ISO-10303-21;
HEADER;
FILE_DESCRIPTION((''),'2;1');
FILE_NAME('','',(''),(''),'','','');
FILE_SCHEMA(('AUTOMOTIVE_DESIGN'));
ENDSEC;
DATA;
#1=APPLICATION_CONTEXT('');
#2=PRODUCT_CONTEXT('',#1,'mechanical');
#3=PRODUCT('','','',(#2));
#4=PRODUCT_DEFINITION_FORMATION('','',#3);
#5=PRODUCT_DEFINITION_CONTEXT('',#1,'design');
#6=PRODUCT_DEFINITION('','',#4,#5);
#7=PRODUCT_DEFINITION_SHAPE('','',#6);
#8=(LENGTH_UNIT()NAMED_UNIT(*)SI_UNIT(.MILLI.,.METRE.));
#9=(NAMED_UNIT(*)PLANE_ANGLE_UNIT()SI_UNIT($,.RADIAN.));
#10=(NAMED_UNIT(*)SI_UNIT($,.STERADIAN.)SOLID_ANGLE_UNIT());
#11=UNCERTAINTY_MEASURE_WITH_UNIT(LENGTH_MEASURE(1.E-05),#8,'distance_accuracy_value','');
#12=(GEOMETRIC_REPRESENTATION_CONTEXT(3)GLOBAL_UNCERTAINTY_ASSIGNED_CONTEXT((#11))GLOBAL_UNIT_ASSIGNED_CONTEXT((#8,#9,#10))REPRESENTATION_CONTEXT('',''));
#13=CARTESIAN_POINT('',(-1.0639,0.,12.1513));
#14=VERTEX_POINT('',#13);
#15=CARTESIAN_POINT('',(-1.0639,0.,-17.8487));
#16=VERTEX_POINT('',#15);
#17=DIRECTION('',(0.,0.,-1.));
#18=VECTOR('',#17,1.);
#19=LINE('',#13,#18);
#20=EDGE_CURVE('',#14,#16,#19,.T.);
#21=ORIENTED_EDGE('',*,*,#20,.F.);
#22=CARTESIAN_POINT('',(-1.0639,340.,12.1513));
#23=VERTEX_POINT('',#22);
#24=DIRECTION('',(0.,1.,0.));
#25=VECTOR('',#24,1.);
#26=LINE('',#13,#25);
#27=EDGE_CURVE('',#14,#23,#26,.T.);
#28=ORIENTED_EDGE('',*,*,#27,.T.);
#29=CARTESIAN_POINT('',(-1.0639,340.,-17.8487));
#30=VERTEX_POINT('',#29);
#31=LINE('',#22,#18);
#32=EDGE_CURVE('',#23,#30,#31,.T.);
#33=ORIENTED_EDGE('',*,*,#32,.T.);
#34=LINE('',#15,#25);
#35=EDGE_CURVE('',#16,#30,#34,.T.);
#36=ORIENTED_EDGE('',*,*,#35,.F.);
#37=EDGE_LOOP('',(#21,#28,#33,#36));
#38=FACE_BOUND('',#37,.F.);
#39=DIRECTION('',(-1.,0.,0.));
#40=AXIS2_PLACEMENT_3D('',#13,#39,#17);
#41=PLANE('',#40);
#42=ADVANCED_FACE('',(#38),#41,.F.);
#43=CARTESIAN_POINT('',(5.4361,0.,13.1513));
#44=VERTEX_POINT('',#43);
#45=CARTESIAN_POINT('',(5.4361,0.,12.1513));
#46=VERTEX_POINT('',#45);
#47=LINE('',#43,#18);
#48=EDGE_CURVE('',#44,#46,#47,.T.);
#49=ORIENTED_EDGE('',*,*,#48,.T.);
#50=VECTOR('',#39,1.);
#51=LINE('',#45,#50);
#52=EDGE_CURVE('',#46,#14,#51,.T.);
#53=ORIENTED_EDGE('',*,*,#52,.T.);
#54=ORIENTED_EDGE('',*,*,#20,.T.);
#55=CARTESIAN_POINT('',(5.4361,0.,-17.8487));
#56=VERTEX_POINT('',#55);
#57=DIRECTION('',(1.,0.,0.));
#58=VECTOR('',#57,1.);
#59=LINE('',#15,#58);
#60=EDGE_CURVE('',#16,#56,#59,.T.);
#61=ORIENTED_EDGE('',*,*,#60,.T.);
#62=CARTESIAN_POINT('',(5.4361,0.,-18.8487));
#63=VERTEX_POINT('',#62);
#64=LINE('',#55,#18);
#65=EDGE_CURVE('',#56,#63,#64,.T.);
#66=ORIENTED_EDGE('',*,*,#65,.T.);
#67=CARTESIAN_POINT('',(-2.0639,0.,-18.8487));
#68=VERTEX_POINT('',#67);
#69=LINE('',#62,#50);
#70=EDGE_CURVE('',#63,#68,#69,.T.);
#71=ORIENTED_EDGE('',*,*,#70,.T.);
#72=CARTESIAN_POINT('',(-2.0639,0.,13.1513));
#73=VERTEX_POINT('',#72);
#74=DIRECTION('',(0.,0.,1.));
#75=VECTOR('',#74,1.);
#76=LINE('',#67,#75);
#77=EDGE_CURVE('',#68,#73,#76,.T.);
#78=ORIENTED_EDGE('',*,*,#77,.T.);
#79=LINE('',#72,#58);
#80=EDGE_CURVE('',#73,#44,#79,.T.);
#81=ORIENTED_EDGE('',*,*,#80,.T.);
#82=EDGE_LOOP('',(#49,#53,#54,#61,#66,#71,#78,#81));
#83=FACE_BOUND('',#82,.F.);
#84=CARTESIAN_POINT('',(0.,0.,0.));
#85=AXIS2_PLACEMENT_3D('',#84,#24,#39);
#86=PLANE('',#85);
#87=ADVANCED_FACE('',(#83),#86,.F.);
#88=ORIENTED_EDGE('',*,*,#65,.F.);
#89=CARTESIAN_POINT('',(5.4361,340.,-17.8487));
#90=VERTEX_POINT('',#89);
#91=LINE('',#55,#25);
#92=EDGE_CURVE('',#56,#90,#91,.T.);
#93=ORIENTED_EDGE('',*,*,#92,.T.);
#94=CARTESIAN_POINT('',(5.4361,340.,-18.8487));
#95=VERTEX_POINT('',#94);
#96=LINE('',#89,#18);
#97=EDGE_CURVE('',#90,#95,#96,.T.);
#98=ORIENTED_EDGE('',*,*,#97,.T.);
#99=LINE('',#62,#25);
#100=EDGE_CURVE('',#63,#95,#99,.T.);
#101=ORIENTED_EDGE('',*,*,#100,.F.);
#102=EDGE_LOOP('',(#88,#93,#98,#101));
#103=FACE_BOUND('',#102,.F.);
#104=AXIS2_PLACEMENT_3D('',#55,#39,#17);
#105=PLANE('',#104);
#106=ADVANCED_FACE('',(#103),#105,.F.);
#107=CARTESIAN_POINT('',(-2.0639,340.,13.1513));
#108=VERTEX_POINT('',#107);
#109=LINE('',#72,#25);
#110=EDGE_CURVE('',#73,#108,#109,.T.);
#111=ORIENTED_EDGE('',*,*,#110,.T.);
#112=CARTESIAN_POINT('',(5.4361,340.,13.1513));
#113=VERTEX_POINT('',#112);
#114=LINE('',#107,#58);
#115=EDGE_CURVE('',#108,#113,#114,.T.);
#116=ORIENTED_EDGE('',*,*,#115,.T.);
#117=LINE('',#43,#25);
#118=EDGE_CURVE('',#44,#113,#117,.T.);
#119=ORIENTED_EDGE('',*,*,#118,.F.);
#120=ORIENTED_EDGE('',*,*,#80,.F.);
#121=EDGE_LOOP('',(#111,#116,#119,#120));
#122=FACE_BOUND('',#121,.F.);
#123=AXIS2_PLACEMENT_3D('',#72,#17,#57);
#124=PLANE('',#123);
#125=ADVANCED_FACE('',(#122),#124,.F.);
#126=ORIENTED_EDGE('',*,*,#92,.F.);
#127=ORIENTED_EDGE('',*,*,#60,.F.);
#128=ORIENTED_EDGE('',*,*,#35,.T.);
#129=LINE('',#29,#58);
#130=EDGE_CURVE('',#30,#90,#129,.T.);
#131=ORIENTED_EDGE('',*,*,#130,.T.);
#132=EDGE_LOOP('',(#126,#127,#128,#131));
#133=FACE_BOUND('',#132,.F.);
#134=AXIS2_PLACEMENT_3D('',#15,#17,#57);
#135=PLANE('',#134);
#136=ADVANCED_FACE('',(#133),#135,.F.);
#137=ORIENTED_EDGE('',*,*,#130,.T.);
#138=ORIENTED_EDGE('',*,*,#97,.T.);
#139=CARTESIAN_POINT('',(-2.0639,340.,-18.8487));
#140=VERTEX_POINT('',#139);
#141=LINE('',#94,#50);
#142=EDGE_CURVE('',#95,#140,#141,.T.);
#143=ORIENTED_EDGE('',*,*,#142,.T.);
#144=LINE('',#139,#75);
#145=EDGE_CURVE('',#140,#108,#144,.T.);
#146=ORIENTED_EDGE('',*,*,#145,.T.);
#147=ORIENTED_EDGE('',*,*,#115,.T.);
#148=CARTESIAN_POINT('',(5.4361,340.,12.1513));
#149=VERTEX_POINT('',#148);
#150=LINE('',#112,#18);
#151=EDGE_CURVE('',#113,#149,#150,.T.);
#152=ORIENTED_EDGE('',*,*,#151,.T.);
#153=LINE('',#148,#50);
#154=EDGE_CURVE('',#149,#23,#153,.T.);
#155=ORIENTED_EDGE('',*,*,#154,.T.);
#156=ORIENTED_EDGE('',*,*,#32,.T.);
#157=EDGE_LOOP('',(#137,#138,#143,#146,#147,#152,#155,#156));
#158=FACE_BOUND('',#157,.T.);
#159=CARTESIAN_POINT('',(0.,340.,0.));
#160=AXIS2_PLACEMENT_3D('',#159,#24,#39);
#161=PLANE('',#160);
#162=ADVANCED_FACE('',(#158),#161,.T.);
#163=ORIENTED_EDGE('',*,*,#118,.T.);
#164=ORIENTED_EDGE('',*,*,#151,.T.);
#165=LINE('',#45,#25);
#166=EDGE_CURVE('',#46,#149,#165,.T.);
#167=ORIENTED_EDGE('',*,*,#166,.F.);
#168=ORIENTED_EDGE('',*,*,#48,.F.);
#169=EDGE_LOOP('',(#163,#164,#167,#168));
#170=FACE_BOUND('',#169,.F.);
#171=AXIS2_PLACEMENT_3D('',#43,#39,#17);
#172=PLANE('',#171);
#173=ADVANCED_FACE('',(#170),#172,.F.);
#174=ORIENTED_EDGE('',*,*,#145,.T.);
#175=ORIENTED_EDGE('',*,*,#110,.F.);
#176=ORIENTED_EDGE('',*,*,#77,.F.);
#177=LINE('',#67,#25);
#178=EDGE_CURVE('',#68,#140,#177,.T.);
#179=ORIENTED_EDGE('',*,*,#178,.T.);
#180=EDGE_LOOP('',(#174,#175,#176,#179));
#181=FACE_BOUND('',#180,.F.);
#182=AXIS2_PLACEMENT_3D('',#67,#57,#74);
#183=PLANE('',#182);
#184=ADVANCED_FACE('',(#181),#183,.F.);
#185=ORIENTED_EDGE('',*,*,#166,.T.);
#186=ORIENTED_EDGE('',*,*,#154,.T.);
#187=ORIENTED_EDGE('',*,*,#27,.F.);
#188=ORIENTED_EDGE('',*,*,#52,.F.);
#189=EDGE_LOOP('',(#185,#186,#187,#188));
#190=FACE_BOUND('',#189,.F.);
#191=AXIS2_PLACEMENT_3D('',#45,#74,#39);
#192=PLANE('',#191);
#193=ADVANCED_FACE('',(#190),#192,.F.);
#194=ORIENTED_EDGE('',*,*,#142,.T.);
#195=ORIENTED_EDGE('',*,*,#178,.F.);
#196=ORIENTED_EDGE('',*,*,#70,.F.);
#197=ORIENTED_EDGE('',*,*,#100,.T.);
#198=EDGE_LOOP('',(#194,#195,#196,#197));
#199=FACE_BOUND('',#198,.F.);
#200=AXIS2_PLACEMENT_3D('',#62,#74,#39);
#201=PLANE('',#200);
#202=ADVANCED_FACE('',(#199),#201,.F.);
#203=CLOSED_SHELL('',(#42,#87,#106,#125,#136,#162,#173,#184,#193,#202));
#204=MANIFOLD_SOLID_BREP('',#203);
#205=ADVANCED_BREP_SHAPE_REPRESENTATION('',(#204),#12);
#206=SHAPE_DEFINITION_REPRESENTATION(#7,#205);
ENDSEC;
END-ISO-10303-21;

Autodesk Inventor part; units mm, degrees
ref_plane "YZ Plane" through (0, 0, 0) normal (1, 0, 0) x (0, 1, 0)
ref_plane "XZ Plane" through (0, 0, 0) normal (0, 1, 0) x (-1, 0, 0)
ref_plane "XY Plane" through (0, 0, 0) normal (0, 0, 1) x (1, 0, 0)
sketch "Boceto1" plane through (0, 0, 0) normal (0, 1, 0) x (-1, 0, 0)
  line L0 (-5.4361, 12.1513) -> (1.0639, 12.1513)
  line L1 (1.0639, 12.1513) -> (1.0639, -17.8487)
  line L2 (1.0639, -17.8487) -> (-5.4361, -17.8487)
  line L3 (-5.4361, -17.8487) -> (-5.4361, -18.8487)
  line L4 (-5.4361, -18.8487) -> (2.0639, -18.8487)
  line L5 (2.0639, -18.8487) -> (2.0639, 13.1513)
  line L6 (2.0639, 13.1513) -> (-5.4361, 13.1513)
  line L7 (-5.4361, 13.1513) -> (-5.4361, 12.1513)
  point P0 (0, 0)
  point P1 (0, 0)
  dimension "d0" = 6.5
  dimension "d1" = 30
  dimension "d2" = 1
  dimension "d3" = 7.5
  dimension "d4" = 32
extrude "Extrusión1" add sketch "Boceto1" along normal blind 340
properties part number "Tapa cable canal 340mm"
